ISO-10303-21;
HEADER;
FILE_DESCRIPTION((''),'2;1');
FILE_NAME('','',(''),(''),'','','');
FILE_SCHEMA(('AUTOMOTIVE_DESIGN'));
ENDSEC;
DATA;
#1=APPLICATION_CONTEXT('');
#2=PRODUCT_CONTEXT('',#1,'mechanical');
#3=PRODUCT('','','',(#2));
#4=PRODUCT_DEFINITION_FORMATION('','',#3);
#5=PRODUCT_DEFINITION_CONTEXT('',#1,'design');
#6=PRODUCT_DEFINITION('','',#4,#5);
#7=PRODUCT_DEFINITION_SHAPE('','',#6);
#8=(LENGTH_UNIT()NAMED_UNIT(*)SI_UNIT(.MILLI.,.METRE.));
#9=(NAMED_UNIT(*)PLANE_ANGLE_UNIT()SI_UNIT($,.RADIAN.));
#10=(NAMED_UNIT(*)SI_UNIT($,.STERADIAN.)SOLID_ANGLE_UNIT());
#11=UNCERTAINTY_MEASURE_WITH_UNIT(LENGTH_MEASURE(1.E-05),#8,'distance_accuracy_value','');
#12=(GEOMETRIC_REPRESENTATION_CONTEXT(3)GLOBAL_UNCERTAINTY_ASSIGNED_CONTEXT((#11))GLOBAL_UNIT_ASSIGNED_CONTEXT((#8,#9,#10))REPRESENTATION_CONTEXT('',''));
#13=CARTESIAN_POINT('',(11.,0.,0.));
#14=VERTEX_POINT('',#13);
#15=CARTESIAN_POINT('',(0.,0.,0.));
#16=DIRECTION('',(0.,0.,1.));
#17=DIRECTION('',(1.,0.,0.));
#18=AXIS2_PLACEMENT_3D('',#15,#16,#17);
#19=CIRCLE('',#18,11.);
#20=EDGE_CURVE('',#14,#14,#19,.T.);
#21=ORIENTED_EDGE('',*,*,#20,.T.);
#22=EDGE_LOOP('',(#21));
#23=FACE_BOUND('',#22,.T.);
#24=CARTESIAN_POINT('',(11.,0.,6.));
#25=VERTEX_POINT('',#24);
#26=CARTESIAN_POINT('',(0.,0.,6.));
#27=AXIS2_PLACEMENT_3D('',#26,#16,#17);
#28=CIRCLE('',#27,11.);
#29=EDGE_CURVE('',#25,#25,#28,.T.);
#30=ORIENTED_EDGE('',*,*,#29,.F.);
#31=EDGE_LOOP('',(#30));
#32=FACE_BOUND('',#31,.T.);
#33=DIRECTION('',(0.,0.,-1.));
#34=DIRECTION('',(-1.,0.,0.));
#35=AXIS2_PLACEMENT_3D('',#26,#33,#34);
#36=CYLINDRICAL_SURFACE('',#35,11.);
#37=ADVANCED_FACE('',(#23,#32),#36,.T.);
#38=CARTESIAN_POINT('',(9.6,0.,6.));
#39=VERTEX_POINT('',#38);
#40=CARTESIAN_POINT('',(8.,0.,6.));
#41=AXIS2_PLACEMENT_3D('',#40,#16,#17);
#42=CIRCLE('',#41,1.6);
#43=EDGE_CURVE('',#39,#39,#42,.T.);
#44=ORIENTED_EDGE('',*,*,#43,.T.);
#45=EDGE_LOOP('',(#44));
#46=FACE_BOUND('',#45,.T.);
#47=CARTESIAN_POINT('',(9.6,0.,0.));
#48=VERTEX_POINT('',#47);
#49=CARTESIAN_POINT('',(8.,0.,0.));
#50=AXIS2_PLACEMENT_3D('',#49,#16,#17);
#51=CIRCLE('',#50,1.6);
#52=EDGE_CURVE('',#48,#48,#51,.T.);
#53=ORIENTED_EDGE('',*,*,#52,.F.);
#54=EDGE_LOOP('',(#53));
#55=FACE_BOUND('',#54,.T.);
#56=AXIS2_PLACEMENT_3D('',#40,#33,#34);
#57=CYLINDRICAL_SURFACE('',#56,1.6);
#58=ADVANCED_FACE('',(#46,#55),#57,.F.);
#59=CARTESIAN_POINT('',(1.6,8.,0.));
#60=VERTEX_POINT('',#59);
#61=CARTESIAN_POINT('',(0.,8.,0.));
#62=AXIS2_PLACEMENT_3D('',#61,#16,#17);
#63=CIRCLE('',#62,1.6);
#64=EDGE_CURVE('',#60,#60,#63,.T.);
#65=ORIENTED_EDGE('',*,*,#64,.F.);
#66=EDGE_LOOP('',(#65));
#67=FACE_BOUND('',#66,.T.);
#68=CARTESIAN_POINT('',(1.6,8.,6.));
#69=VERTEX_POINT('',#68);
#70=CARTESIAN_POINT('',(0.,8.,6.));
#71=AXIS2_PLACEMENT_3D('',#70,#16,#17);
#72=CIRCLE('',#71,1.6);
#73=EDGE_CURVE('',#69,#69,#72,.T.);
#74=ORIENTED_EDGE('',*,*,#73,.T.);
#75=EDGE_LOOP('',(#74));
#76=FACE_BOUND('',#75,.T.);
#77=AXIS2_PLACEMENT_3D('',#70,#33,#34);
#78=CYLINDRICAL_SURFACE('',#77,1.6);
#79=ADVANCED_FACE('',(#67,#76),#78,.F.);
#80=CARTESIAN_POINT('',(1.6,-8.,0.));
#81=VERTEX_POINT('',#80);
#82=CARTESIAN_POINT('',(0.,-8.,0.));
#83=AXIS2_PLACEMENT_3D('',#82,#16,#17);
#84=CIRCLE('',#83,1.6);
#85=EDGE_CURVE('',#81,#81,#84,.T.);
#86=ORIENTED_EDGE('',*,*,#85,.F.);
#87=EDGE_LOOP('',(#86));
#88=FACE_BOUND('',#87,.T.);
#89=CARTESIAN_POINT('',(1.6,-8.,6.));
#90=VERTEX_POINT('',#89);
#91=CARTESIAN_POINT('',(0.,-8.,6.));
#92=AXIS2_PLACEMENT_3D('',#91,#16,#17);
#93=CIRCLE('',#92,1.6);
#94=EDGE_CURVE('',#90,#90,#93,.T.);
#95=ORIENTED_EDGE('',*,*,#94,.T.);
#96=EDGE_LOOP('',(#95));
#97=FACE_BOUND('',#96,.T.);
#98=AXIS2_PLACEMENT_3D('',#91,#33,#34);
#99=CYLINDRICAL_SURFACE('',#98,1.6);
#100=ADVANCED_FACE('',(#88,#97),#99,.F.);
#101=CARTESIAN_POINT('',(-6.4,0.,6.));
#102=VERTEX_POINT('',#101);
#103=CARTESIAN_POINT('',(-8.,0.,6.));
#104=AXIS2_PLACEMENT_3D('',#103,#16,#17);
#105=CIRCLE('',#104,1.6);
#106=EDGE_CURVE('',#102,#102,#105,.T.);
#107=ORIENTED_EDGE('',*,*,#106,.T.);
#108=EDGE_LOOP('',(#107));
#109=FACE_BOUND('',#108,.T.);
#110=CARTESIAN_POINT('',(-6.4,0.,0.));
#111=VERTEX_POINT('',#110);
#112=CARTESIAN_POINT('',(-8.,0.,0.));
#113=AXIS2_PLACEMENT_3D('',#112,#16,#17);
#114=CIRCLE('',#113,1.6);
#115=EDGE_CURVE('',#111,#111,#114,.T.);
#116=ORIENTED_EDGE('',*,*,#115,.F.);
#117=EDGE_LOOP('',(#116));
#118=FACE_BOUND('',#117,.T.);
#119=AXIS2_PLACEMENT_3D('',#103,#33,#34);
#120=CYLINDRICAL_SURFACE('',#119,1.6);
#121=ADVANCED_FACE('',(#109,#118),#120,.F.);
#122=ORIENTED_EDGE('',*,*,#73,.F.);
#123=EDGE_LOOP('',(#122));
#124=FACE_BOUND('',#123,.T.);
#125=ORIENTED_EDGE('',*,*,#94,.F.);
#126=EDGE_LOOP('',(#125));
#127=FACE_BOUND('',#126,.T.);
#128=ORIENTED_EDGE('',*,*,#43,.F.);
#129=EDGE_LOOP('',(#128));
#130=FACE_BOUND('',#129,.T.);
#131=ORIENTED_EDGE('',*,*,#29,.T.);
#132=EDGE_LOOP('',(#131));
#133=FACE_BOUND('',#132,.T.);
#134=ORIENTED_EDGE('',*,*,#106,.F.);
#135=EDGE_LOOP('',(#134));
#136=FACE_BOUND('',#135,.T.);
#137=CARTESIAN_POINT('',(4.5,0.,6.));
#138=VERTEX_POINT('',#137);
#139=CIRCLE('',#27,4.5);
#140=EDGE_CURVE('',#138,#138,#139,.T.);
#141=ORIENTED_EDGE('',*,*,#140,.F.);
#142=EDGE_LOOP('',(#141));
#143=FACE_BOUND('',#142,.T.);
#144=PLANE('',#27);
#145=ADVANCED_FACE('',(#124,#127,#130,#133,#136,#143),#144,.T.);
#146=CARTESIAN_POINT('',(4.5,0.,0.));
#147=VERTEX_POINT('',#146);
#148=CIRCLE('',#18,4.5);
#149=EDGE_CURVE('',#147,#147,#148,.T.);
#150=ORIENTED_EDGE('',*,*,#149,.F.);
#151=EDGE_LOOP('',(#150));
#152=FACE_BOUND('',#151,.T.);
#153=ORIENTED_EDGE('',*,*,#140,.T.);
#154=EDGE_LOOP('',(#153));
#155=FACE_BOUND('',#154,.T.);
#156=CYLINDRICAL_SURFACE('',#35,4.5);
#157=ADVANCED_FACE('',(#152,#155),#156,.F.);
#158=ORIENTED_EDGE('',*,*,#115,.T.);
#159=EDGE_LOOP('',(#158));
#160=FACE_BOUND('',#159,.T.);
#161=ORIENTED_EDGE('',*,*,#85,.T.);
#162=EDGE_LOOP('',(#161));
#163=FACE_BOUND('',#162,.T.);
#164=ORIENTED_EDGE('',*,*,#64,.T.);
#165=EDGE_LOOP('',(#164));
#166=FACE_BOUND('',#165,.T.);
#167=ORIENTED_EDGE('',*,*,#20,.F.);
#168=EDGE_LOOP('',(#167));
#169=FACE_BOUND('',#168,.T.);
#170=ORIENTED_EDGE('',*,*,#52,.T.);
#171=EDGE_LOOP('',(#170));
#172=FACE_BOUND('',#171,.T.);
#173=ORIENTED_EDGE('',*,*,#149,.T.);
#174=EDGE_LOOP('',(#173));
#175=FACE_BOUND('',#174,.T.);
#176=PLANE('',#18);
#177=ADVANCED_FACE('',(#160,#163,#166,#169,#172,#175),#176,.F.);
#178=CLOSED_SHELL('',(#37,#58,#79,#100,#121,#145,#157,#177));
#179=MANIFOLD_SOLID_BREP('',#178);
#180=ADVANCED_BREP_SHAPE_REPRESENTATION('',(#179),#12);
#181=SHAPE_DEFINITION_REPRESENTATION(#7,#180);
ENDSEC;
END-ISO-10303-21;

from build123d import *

# Parameters (mm, degrees)
SKETCH1_R           = 11
SKETCH1_R_2         = 4.5
SKETCH1_R_3         = 1.6
BOSS_EXTRUDE1_DEPTH = 6


with BuildPart() as part:
    # Sketch1 → Boss-Extrude1 (new body)
    with BuildSketch(Plane.XY):
        Circle(SKETCH1_R)
        Circle(SKETCH1_R_2, mode=Mode.SUBTRACT)
        with Locations((8, 0)):
            Circle(SKETCH1_R_3, mode=Mode.SUBTRACT)
        with Locations((0, 8)):
            Circle(SKETCH1_R_3, mode=Mode.SUBTRACT)
        with Locations((-8, 0)):
            Circle(SKETCH1_R_3, mode=Mode.SUBTRACT)
        with Locations((0, -8)):
            Circle(SKETCH1_R_3, mode=Mode.SUBTRACT)
    extrude(amount=BOSS_EXTRUDE1_DEPTH)


solid = part.part
